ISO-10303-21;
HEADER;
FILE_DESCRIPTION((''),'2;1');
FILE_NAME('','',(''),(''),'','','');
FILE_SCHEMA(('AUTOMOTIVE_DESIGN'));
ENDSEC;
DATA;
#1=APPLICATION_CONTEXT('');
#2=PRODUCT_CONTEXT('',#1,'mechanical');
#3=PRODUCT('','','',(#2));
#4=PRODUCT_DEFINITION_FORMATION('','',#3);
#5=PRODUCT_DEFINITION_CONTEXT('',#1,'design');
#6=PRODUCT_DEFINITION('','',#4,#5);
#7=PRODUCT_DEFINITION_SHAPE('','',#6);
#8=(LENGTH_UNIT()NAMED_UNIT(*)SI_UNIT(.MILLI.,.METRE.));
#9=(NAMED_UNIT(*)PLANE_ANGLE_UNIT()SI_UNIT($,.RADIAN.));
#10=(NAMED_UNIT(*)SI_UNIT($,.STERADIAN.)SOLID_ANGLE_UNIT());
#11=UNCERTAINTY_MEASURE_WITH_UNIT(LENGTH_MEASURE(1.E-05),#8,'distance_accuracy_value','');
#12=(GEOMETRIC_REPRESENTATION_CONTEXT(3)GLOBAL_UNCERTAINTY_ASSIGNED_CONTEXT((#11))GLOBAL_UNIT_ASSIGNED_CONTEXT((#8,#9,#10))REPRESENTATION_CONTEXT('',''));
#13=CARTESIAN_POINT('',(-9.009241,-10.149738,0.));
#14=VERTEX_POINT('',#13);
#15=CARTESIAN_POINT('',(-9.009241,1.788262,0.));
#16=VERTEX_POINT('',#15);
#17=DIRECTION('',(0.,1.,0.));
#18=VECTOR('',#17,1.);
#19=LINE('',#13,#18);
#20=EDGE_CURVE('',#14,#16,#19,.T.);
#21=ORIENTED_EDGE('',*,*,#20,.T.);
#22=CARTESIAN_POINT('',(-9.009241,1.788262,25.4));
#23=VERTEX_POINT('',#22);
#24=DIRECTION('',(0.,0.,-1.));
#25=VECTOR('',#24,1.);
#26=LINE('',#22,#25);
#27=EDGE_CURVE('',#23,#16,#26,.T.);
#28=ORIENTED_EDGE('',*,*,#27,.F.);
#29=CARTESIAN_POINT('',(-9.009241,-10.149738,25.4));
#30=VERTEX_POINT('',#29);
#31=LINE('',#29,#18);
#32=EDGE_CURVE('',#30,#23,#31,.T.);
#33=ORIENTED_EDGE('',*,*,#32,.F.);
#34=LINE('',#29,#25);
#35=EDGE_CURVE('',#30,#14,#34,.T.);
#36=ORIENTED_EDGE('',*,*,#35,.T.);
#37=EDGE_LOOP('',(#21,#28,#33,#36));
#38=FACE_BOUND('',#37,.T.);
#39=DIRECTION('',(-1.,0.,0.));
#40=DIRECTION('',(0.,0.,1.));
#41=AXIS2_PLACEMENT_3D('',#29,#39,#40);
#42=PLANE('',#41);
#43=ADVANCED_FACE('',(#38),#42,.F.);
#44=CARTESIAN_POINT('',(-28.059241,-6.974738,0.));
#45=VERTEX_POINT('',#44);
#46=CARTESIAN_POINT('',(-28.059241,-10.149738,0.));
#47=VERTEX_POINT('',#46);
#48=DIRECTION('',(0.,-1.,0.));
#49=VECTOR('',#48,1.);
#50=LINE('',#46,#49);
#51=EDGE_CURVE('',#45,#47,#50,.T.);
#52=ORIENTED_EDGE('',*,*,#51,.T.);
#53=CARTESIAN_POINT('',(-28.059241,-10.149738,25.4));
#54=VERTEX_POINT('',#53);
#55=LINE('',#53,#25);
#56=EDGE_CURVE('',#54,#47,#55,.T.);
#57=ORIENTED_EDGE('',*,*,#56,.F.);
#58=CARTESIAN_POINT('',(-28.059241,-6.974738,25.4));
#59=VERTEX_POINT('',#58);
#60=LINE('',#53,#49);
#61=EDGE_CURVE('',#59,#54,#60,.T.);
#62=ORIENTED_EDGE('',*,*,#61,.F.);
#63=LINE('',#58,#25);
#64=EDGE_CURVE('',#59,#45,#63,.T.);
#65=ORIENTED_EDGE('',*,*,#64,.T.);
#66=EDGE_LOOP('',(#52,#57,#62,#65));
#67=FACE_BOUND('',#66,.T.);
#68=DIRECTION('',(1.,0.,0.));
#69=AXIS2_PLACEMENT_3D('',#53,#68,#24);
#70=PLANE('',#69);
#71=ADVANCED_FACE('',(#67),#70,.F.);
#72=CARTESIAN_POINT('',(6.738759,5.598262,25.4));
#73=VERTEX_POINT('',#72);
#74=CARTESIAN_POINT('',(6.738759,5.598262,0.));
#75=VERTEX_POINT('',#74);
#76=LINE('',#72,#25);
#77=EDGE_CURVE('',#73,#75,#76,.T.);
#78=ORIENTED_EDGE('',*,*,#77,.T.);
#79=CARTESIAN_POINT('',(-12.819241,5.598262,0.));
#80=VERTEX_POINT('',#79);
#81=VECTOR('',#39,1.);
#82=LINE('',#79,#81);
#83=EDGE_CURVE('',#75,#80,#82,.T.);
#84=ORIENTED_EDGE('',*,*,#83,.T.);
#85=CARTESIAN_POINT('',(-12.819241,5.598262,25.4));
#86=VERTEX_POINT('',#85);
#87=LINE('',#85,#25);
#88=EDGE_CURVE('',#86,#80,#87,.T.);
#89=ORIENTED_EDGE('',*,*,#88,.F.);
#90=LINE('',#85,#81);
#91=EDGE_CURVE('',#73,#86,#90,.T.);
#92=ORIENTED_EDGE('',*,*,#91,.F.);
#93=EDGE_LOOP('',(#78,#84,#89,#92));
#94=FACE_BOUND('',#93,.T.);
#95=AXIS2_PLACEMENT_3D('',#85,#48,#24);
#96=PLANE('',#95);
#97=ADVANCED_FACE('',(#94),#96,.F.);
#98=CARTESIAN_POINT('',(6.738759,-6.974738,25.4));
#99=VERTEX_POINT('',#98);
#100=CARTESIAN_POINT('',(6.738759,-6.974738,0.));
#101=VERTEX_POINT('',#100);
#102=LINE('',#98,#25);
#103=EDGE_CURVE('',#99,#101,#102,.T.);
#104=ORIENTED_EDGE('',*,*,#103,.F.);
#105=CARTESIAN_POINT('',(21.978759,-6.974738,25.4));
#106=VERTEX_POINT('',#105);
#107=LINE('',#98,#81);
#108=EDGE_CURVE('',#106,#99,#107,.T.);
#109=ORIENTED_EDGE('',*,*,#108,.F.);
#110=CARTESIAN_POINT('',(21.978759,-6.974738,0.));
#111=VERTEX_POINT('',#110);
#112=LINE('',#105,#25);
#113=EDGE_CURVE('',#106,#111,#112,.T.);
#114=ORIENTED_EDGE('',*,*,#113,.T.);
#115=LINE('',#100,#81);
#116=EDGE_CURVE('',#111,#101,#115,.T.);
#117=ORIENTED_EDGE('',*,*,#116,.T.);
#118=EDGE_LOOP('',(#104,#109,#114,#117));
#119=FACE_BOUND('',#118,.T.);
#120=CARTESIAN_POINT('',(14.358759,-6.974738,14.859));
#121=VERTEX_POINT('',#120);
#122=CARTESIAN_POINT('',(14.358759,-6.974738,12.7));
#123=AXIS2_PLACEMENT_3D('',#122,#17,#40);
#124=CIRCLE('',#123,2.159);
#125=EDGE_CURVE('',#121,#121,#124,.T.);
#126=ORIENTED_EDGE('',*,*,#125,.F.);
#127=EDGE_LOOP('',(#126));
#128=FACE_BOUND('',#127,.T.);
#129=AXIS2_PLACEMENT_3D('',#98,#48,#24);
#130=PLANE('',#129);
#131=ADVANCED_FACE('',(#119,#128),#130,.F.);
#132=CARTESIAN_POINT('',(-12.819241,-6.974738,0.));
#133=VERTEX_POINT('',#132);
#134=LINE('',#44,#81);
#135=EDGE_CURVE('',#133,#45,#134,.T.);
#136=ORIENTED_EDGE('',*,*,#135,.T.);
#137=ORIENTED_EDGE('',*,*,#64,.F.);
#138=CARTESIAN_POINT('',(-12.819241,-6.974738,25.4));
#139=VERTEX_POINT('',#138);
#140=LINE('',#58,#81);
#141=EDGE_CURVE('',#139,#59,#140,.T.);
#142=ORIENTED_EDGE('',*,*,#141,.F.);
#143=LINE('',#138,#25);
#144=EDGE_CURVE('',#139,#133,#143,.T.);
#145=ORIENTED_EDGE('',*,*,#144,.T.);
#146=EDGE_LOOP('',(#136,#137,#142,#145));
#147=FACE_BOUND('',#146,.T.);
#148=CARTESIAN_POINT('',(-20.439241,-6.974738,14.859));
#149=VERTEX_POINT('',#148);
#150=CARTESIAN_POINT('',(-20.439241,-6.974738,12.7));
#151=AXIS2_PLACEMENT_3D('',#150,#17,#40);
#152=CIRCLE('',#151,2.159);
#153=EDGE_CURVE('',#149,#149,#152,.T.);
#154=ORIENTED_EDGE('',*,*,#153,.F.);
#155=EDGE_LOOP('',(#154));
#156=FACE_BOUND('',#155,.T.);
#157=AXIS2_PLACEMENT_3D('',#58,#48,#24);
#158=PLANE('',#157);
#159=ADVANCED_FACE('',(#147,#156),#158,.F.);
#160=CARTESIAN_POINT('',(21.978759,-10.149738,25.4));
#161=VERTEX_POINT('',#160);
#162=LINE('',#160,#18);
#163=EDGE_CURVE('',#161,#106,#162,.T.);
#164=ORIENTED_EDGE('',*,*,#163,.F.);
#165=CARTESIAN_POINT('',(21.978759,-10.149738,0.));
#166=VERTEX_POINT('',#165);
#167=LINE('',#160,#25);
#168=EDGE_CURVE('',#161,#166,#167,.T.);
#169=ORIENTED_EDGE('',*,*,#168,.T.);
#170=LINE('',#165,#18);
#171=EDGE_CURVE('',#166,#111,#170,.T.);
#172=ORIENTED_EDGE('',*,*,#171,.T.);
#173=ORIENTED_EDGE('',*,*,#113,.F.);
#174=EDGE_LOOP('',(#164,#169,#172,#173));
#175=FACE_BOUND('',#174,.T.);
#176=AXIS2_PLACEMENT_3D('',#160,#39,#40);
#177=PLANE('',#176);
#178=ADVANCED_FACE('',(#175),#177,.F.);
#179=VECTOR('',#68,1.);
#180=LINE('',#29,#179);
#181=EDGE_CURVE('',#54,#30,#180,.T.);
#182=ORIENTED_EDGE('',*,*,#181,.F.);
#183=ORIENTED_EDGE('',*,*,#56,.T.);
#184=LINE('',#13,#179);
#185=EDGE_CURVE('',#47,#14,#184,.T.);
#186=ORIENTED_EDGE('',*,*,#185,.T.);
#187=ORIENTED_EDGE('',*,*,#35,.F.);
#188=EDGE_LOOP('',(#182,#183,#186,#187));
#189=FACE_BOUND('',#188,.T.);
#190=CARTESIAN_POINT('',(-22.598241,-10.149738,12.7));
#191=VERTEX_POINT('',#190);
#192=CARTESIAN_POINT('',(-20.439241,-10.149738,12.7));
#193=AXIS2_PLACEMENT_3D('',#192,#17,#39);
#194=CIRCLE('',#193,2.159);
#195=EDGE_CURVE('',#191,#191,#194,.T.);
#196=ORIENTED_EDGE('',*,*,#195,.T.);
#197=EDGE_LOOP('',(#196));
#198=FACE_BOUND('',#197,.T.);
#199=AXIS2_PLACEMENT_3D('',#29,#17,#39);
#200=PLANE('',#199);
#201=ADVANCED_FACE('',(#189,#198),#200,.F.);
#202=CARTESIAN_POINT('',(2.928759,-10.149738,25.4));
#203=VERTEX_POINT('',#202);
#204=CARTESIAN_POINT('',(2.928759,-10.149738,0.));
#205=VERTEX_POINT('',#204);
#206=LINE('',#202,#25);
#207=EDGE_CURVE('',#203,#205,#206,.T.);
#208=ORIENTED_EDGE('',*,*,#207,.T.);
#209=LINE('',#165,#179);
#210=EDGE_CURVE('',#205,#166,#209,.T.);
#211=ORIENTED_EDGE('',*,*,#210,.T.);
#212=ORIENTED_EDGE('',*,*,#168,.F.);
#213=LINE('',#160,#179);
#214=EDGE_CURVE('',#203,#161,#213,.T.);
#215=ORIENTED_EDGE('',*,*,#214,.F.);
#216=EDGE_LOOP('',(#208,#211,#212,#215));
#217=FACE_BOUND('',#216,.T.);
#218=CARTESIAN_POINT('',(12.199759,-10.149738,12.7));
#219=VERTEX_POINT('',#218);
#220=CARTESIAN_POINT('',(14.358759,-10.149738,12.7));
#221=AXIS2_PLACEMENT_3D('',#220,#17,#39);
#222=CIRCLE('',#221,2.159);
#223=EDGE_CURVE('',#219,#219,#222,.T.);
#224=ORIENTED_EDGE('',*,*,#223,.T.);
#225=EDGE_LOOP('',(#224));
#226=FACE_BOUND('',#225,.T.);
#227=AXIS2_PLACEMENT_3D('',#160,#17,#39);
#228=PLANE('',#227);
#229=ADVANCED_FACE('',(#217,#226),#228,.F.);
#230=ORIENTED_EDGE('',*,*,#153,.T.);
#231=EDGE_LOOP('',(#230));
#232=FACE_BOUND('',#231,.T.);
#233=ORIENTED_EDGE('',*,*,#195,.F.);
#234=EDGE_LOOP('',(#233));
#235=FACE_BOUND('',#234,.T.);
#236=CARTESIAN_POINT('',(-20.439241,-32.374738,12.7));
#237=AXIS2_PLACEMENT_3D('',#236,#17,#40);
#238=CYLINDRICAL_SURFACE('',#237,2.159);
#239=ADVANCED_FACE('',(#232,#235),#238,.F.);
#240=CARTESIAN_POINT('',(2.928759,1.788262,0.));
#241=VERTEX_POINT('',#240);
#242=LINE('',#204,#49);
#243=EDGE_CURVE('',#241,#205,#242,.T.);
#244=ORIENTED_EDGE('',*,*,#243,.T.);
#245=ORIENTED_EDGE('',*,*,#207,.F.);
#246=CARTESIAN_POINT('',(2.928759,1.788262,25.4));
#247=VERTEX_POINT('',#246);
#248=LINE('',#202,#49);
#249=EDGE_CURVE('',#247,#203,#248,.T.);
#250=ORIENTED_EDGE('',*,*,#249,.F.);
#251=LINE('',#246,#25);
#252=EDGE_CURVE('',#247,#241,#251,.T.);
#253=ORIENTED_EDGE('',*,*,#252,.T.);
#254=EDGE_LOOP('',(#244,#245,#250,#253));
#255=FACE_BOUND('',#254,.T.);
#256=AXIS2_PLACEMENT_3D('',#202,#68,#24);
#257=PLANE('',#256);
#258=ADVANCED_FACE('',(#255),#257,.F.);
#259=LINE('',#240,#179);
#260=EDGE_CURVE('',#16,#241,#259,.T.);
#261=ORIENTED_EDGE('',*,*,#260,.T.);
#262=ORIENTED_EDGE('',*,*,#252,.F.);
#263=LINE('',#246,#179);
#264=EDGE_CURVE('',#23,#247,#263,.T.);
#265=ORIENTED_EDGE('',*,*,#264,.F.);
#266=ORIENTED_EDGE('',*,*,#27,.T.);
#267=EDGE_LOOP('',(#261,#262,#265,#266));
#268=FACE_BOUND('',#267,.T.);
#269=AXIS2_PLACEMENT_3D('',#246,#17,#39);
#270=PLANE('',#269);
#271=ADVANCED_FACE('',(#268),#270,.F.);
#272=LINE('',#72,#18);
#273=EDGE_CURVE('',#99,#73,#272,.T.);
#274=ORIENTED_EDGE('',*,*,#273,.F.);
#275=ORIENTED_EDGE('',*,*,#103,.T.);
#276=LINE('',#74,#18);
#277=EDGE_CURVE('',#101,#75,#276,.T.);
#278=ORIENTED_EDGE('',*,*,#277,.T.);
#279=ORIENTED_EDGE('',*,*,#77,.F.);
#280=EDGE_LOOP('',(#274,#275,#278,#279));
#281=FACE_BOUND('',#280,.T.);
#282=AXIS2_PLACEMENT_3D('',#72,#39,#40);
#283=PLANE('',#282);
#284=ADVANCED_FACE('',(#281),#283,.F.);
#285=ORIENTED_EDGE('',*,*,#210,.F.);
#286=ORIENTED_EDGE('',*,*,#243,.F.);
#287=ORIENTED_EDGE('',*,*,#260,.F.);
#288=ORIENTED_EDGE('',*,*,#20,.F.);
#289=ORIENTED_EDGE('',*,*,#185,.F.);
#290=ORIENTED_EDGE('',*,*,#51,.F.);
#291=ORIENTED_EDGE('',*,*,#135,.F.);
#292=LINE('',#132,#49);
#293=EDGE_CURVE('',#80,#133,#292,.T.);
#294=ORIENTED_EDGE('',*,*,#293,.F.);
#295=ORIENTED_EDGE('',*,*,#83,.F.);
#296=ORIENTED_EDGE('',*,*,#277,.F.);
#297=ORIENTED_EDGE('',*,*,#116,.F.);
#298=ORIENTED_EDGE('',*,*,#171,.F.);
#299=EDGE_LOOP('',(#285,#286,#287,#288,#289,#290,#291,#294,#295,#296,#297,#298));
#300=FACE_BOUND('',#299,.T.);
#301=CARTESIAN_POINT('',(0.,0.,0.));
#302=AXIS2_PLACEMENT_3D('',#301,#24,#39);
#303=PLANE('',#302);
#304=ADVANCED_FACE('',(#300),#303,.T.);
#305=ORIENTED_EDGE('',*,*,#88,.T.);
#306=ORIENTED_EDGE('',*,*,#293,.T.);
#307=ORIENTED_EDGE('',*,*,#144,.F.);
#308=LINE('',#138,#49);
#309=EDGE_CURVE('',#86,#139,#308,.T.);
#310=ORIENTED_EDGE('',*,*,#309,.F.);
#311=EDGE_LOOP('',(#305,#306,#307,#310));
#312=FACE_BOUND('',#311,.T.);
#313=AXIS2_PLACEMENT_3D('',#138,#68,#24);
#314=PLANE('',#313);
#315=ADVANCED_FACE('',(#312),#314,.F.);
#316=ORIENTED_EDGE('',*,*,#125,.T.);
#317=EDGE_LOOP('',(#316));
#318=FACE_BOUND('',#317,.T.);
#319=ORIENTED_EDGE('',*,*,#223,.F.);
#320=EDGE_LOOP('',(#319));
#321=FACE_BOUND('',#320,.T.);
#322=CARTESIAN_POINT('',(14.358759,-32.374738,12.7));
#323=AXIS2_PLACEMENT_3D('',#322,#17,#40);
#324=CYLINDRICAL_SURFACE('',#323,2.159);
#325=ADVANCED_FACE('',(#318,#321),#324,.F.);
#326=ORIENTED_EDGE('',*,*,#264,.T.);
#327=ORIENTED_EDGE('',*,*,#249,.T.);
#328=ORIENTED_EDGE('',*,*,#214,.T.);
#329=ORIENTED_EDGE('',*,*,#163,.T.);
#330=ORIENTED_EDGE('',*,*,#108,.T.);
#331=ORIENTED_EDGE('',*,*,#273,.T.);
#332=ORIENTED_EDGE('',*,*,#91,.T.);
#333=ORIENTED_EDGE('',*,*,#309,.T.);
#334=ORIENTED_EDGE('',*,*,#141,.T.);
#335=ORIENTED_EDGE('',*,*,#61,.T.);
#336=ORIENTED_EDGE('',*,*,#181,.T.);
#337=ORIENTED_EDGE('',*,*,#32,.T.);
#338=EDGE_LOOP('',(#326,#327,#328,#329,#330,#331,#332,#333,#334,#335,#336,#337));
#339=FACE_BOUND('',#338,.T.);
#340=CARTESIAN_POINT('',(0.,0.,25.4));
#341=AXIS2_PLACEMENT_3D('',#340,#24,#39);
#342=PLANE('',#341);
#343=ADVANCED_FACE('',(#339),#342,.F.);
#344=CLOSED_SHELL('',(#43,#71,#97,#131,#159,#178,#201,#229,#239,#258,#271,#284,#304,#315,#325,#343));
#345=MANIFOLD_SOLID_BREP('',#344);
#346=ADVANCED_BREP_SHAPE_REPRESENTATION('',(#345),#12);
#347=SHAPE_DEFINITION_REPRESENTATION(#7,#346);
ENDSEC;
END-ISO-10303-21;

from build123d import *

# Parameters (mm, degrees)
BOSS_EXTRUDE1_DEPTH = 25.4
SKETCH2_R           = 2.159
CUT_EXTRUDE1_DEPTH  = 25.4
SKETCH3_R           = 2.159
CUT_EXTRUDE2_DEPTH  = 25.4


with BuildPart() as part:
    # Sketch1 → Boss-Extrude1 (new body)
    with BuildSketch(Plane.XY):
        Polygon((-9.009241013, -10.149737798), (-28.059241013, -10.149737798), (-28.059241013, -6.974737798), (-12.819241013, -6.974737798), (-12.819241013, 5.598262202), (6.738758987, 5.598262202), (6.738758987, -6.974737798), (21.978758987, -6.974737798), (21.978758987, -10.149737798), (2.928758987, -10.149737798), (2.928758987, 1.788262202), (-9.009241013, 1.788262202), align=None)
    extrude(amount=BOSS_EXTRUDE1_DEPTH)

    # Sketch2 → Cut-Extrude1 (cut)
    with BuildSketch(Plane(origin=(0, -6.974737798, 0), x_dir=(1, 0, 0), z_dir=(0, 1, 0))):
        with Locations((14.358758987, -12.7)):
            Circle(SKETCH2_R)
    extrude(amount=-CUT_EXTRUDE1_DEPTH, mode=Mode.SUBTRACT)

    # Sketch3 → Cut-Extrude2 (cut)
    with BuildSketch(Plane(origin=(0, -6.974737798, 0), x_dir=(1, 0, 0), z_dir=(0, 1, 0))):
        with Locations((-20.439241013, -12.7)):
            Circle(SKETCH3_R)
    extrude(amount=-CUT_EXTRUDE2_DEPTH, mode=Mode.SUBTRACT)


solid = part.part
